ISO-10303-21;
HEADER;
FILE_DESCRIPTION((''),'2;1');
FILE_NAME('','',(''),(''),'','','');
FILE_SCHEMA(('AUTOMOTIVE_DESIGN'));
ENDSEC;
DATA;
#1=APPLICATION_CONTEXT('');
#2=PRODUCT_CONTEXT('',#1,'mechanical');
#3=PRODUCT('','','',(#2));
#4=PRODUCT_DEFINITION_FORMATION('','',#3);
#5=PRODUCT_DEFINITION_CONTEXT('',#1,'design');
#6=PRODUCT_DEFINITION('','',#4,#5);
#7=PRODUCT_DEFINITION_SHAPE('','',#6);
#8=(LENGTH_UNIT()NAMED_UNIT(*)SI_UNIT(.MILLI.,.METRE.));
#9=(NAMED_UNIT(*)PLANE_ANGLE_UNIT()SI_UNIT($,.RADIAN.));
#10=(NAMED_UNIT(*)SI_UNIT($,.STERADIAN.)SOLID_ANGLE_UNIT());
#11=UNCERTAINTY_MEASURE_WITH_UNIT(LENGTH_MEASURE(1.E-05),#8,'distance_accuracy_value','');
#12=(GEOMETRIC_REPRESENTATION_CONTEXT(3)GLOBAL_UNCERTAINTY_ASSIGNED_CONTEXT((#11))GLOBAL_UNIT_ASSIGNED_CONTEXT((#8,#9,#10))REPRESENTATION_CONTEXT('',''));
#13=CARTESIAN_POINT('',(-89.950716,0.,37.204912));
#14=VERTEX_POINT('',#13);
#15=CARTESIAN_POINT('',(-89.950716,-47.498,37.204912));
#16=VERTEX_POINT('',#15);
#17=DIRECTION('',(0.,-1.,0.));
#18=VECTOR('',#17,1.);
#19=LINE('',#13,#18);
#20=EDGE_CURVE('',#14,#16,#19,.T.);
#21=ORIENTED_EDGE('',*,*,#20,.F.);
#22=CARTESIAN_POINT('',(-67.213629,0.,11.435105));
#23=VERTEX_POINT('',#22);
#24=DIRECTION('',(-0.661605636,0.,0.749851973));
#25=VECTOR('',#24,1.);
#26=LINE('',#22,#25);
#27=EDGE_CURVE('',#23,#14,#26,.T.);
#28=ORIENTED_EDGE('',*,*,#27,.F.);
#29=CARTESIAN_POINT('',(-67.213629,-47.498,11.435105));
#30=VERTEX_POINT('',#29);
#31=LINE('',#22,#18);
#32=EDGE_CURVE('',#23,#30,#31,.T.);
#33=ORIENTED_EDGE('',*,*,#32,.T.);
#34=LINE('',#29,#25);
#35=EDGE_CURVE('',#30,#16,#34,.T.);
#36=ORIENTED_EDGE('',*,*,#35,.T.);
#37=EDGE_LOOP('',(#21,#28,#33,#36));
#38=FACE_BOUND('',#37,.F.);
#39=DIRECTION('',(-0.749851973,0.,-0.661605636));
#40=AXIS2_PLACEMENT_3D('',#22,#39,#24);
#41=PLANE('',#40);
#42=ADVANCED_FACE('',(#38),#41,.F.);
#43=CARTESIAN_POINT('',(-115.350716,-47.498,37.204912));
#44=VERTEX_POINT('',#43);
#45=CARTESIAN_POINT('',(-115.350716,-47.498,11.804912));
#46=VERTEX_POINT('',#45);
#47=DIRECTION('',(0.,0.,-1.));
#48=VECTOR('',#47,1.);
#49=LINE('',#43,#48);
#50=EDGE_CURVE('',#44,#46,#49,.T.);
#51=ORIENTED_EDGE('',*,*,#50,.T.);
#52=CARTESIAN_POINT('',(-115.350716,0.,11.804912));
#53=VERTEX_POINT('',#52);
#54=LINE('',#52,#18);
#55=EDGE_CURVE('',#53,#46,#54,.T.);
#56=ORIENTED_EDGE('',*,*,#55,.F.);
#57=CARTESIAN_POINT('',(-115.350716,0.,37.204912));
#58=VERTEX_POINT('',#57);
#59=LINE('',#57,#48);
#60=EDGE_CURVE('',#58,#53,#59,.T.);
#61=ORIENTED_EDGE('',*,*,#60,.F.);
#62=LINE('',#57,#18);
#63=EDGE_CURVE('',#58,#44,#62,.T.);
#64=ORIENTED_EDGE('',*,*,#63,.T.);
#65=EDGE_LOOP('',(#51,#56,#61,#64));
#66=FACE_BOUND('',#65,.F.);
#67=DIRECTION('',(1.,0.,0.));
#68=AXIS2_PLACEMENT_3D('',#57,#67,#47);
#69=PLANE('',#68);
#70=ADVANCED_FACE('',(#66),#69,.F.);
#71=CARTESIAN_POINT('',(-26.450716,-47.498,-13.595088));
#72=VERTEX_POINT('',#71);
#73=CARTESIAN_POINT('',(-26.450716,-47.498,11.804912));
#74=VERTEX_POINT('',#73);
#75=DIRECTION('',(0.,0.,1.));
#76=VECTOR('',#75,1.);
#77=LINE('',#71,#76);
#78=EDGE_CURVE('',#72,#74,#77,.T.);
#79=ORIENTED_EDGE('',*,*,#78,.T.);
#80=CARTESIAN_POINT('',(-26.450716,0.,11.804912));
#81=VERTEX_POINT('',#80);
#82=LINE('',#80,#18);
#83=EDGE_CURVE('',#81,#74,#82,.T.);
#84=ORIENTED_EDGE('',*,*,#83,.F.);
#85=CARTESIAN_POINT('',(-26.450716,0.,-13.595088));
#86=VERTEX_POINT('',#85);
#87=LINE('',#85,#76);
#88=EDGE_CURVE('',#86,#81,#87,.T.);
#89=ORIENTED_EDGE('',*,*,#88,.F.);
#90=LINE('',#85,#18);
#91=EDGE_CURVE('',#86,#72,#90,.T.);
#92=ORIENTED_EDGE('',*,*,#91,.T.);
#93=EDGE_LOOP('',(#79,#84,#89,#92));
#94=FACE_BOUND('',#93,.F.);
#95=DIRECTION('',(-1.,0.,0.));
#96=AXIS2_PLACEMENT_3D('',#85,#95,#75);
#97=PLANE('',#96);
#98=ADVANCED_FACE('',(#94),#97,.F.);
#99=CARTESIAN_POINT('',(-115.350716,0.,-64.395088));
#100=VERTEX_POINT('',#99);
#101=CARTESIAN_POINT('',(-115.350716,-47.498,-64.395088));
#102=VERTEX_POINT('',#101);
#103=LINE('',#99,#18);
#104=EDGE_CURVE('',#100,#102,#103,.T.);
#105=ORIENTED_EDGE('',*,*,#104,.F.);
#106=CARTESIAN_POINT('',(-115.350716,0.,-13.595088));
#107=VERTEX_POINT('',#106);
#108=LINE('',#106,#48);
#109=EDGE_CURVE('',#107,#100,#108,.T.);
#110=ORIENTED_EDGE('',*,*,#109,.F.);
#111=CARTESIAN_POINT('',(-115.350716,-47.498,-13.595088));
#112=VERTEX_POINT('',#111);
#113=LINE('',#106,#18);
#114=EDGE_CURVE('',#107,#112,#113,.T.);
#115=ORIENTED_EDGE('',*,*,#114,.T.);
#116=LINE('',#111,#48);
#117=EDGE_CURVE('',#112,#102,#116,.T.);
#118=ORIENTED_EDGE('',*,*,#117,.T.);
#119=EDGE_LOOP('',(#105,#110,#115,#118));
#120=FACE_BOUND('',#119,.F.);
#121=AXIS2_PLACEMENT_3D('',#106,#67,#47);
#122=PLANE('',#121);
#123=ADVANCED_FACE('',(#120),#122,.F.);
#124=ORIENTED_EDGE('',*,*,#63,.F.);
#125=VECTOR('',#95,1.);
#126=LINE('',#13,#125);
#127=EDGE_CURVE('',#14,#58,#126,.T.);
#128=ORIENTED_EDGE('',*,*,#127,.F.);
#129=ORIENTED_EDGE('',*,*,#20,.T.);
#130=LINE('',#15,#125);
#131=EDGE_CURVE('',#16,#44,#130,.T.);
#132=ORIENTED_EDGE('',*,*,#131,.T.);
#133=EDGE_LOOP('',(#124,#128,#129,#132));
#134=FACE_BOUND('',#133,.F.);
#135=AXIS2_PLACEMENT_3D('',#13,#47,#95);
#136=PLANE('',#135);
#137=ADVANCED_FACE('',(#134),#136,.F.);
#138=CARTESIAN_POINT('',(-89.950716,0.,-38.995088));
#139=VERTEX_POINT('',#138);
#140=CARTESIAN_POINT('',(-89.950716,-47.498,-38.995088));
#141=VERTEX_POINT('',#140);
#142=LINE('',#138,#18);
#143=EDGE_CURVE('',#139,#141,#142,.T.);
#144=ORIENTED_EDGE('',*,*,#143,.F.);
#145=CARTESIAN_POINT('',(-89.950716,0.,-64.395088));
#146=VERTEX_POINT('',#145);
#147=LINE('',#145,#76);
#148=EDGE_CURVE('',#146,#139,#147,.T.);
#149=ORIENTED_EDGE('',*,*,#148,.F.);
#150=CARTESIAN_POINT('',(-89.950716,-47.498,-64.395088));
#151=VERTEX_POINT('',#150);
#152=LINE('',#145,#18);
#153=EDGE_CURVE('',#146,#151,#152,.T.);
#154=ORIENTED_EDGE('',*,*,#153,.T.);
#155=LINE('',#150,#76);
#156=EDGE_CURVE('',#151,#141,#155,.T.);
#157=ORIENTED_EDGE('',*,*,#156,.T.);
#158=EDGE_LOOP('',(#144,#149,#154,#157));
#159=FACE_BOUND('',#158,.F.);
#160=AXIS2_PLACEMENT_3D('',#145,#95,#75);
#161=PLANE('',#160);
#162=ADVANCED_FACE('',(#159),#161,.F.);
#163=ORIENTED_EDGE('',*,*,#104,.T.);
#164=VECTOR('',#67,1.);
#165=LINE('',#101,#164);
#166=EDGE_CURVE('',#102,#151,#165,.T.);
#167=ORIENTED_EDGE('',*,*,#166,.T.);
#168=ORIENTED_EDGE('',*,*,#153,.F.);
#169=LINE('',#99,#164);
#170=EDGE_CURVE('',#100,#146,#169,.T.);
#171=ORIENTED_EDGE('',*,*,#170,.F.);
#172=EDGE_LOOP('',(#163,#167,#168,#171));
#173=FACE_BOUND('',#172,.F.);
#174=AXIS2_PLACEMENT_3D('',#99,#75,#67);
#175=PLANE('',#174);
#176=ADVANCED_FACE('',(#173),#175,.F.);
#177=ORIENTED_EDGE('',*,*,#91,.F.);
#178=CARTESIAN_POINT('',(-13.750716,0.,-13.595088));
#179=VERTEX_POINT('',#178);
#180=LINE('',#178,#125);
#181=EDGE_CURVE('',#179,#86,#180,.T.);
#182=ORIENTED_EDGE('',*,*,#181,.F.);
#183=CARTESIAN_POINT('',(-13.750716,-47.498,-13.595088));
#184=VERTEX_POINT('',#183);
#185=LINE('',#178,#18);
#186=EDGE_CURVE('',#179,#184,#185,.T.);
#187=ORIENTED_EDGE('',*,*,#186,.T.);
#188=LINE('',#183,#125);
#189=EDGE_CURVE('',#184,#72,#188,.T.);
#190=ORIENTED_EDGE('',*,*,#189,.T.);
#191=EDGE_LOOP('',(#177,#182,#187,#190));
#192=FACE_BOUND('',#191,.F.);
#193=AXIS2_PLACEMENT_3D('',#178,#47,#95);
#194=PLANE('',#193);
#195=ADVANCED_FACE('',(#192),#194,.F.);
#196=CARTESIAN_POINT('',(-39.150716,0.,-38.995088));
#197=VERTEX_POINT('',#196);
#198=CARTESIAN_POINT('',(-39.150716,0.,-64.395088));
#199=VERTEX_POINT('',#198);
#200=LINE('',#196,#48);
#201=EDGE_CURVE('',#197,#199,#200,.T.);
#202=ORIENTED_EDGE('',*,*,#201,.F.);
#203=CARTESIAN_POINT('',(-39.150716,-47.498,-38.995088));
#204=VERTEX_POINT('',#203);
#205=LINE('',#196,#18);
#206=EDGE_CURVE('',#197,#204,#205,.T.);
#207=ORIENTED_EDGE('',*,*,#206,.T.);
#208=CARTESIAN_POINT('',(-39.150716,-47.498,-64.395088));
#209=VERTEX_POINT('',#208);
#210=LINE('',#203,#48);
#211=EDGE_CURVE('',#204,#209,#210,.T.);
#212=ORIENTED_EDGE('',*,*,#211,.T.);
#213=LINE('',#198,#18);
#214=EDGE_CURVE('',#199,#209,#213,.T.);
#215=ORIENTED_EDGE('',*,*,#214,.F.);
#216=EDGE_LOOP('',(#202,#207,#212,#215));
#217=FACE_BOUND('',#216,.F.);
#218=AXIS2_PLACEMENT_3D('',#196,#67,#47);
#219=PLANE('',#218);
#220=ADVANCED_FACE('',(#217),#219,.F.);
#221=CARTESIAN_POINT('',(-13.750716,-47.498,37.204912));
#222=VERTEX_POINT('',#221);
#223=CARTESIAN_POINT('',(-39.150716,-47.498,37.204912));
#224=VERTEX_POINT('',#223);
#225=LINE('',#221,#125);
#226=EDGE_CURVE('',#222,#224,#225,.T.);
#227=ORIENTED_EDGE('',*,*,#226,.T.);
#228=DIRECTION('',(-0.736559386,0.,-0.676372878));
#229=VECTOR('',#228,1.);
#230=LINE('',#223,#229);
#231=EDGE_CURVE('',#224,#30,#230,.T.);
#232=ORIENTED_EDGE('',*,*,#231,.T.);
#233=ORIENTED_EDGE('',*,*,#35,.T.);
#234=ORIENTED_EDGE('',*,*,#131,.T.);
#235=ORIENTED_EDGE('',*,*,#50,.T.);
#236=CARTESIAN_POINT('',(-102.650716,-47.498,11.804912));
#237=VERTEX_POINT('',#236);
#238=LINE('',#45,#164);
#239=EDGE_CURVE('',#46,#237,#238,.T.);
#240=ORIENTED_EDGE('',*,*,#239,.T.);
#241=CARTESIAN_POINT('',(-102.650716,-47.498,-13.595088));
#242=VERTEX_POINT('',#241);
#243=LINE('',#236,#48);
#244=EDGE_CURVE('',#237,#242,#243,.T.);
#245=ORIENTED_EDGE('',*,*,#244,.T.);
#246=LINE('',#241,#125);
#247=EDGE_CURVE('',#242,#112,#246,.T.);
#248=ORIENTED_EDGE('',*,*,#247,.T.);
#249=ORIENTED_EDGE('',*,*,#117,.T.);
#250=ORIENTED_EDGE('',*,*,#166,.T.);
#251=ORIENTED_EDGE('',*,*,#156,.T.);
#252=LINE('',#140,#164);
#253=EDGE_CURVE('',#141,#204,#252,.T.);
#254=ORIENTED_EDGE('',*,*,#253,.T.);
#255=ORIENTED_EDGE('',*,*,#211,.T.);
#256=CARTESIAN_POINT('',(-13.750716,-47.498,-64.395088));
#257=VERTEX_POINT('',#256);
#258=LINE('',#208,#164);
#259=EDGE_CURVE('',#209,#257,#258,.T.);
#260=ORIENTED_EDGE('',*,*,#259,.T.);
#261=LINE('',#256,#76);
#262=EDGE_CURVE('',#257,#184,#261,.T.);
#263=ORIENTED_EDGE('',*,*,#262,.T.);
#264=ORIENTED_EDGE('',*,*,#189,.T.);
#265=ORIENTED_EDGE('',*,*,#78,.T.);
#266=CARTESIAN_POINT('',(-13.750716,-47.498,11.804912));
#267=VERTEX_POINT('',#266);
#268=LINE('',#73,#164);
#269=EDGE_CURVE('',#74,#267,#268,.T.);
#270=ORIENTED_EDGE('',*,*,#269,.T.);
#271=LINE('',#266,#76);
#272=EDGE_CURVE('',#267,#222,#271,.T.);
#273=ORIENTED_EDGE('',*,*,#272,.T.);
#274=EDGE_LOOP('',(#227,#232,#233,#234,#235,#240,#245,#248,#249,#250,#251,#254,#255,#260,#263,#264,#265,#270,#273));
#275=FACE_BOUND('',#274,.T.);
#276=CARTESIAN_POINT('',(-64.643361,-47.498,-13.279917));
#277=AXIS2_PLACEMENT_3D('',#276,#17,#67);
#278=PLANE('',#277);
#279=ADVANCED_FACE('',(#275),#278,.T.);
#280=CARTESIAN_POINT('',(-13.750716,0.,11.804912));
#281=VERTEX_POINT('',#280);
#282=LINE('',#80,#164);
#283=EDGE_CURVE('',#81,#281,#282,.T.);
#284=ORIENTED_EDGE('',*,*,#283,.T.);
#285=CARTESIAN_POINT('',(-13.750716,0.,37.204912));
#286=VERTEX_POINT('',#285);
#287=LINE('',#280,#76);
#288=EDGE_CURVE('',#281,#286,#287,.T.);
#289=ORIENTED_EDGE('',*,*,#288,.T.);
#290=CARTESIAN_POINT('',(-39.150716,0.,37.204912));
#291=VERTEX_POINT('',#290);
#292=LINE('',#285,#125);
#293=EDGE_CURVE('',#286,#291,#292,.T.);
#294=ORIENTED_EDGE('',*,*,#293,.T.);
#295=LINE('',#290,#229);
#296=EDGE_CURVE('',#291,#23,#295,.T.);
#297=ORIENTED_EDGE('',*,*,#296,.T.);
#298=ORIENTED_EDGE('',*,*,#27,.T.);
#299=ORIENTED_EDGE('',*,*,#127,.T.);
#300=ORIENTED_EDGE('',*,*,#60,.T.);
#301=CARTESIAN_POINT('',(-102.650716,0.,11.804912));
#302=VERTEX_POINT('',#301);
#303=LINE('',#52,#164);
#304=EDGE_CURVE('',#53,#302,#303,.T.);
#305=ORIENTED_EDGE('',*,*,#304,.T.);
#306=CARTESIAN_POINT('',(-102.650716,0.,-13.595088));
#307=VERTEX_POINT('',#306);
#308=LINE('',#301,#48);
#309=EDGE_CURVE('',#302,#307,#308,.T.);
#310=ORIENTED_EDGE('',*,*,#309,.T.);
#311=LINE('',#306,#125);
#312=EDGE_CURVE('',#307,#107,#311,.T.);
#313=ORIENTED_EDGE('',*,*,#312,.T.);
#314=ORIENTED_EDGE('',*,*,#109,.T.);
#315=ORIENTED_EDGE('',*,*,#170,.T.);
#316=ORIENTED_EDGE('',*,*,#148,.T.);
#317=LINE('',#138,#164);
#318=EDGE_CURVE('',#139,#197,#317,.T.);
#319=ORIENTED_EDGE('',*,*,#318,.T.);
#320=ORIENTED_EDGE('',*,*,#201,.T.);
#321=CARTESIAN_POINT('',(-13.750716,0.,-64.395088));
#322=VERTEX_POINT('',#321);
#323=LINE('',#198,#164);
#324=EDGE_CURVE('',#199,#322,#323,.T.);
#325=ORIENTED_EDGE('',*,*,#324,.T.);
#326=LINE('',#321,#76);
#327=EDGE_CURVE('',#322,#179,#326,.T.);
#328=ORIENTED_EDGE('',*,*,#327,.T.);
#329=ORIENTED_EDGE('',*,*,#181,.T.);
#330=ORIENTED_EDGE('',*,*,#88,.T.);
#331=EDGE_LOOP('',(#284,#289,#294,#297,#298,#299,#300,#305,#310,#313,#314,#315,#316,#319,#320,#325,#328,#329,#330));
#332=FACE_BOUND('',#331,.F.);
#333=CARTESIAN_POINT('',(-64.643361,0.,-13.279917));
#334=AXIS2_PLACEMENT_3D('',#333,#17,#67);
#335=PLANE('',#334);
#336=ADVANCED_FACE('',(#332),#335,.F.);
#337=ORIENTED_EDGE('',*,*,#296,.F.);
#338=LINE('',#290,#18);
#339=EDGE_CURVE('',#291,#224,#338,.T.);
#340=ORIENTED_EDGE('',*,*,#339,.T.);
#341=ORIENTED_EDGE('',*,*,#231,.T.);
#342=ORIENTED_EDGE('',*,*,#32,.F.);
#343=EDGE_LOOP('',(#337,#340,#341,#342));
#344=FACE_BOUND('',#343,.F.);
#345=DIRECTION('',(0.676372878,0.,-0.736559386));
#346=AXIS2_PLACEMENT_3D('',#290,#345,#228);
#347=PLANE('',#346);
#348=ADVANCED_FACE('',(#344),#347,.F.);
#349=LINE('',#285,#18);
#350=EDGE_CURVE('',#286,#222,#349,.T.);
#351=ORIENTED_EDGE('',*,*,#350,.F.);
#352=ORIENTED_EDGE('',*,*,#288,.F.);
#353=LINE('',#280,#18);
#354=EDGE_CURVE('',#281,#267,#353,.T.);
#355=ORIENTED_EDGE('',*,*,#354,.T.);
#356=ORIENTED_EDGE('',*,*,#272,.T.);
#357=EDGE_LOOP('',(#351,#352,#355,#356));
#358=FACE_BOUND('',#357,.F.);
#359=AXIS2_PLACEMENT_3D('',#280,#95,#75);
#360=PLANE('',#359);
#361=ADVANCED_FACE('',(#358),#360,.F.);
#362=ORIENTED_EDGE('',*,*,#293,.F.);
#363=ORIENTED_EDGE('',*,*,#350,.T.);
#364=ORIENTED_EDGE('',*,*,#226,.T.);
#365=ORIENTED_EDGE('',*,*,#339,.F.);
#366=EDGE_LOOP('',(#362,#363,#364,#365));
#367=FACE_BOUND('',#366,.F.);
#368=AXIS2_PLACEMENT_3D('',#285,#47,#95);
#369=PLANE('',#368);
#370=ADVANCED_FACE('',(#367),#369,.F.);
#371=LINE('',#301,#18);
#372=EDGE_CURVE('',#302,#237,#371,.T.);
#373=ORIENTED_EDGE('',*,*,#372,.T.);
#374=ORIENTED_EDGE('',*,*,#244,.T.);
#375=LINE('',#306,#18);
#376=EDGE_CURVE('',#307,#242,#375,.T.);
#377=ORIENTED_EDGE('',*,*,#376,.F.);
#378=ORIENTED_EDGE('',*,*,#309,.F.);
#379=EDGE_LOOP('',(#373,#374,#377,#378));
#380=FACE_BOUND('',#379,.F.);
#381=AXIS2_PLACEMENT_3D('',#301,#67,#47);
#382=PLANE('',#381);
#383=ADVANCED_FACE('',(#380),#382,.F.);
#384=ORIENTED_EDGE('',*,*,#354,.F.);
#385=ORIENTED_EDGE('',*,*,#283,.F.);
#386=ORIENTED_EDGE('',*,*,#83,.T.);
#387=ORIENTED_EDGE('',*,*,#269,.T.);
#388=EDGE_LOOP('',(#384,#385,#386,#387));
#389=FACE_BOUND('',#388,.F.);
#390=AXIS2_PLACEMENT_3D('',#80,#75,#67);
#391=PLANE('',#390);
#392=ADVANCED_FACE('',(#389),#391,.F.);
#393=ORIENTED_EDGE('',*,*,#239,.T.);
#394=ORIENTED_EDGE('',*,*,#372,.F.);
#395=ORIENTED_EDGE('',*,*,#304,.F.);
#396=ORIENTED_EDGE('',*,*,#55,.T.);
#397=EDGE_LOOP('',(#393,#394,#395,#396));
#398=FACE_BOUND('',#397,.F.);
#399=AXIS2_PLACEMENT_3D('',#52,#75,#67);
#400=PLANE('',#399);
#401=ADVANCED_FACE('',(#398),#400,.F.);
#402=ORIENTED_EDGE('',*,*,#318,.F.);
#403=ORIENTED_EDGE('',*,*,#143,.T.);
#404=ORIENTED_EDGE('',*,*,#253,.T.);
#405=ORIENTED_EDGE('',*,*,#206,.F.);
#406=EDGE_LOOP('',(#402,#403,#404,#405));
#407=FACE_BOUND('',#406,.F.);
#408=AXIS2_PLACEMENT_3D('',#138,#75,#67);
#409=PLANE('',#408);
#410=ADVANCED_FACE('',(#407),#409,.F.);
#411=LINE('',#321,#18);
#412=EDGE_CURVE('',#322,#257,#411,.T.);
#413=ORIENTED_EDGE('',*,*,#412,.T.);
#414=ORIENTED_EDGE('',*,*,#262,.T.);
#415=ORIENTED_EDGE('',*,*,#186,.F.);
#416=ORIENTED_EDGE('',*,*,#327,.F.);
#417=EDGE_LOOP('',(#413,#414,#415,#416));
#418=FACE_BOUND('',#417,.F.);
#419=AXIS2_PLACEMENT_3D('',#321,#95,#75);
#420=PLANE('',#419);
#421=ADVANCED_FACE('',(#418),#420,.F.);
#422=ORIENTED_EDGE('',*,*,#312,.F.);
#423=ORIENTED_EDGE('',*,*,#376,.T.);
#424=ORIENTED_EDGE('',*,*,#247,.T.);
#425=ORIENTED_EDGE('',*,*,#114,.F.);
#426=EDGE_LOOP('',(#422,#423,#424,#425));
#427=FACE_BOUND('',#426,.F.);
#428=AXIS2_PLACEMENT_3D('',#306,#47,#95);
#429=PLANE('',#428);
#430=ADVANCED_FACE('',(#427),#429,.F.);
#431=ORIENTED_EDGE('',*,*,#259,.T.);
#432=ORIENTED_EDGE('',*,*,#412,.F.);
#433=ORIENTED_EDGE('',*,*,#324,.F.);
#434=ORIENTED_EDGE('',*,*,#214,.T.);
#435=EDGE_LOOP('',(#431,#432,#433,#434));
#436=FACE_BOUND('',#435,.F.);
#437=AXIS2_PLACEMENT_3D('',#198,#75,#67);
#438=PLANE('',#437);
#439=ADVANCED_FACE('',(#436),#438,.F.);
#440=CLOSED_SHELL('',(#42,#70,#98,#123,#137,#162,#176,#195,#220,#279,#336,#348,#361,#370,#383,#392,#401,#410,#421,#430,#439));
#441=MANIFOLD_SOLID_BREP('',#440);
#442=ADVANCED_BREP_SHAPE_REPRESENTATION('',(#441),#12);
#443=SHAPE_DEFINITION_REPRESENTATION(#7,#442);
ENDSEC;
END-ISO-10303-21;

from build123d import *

# Parameters (mm, degrees)
F1_DEPTH = 47.498


with BuildPart() as f1:
    # F0 (on Front) → F1 (new body)
    with BuildSketch(Plane.XZ):
        Polygon((-26.450716, 11.804912), (-13.750716, 11.804912), (-13.750716, 37.204912), (-39.150716, 37.204912), (-67.213629, 11.435105), (-89.950716, 37.204912), (-115.350716, 37.204912), (-115.350716, 11.804912), (-102.650716, 11.804912), (-102.650716, -13.595088), (-115.350716, -13.595088), (-115.350716, -64.395088), (-89.950716, -64.395088), (-89.950716, -38.995088), (-39.150716, -38.995088), (-39.150716, -64.395088), (-13.750716, -64.395088), (-13.750716, -13.595088), (-26.450716, -13.595088), align=None)
    extrude(amount=F1_DEPTH)


solid = f1.part
